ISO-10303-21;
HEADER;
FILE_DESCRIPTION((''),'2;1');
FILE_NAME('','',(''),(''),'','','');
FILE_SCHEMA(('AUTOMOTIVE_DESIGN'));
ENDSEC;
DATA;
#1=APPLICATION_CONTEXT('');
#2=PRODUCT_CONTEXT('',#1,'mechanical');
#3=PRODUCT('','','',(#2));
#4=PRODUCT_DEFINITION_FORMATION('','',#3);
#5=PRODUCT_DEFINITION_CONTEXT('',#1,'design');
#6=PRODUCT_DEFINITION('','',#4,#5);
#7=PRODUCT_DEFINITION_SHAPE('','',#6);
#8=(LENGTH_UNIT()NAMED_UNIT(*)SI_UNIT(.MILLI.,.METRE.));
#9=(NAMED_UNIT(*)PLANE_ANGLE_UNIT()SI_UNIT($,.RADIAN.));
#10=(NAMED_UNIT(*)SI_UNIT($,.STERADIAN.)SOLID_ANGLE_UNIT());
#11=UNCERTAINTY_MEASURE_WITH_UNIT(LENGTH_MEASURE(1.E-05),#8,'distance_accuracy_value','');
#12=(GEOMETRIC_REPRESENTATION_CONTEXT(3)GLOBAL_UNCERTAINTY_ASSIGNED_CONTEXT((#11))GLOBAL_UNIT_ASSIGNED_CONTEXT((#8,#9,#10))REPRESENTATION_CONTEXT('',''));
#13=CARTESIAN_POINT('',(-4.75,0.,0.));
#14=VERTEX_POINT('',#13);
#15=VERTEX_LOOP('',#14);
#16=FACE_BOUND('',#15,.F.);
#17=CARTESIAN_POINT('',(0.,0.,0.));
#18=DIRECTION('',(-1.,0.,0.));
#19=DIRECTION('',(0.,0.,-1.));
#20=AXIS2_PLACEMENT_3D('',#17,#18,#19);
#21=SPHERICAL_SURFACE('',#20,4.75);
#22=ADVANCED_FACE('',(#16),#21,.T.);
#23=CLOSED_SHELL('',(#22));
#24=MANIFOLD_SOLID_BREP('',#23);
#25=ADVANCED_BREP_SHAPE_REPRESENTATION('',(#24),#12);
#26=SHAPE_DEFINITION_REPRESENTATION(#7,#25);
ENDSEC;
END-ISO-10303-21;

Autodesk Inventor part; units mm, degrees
ref_plane "YZ Plane" through (0, 0, 0) normal (1, 0, 0) x (0, 1, 0)
ref_plane "XZ Plane" through (0, 0, 0) normal (0, 1, 0) x (-1, 0, 0)
ref_plane "XY Plane" through (0, 0, 0) normal (0, 0, 1) x (1, 0, 0)
sketch "Sketch2" plane through (0, 0, 0) normal (0, 1, 0) x (-1, 0, 0)
  circle A0 centre (0, 0) radius 4.75
  line L0 (4.75, 0) -> (-4.75, 0)
  dimension "d1" = 9.5
revolve "Revolution1" add sketch "Sketch2" angle 360 about axis through (-4.75, 0, 0) along (1, 0, 0) picked at (-0.8994, -1.3031) contours A0 L0
properties part number "Ball"
